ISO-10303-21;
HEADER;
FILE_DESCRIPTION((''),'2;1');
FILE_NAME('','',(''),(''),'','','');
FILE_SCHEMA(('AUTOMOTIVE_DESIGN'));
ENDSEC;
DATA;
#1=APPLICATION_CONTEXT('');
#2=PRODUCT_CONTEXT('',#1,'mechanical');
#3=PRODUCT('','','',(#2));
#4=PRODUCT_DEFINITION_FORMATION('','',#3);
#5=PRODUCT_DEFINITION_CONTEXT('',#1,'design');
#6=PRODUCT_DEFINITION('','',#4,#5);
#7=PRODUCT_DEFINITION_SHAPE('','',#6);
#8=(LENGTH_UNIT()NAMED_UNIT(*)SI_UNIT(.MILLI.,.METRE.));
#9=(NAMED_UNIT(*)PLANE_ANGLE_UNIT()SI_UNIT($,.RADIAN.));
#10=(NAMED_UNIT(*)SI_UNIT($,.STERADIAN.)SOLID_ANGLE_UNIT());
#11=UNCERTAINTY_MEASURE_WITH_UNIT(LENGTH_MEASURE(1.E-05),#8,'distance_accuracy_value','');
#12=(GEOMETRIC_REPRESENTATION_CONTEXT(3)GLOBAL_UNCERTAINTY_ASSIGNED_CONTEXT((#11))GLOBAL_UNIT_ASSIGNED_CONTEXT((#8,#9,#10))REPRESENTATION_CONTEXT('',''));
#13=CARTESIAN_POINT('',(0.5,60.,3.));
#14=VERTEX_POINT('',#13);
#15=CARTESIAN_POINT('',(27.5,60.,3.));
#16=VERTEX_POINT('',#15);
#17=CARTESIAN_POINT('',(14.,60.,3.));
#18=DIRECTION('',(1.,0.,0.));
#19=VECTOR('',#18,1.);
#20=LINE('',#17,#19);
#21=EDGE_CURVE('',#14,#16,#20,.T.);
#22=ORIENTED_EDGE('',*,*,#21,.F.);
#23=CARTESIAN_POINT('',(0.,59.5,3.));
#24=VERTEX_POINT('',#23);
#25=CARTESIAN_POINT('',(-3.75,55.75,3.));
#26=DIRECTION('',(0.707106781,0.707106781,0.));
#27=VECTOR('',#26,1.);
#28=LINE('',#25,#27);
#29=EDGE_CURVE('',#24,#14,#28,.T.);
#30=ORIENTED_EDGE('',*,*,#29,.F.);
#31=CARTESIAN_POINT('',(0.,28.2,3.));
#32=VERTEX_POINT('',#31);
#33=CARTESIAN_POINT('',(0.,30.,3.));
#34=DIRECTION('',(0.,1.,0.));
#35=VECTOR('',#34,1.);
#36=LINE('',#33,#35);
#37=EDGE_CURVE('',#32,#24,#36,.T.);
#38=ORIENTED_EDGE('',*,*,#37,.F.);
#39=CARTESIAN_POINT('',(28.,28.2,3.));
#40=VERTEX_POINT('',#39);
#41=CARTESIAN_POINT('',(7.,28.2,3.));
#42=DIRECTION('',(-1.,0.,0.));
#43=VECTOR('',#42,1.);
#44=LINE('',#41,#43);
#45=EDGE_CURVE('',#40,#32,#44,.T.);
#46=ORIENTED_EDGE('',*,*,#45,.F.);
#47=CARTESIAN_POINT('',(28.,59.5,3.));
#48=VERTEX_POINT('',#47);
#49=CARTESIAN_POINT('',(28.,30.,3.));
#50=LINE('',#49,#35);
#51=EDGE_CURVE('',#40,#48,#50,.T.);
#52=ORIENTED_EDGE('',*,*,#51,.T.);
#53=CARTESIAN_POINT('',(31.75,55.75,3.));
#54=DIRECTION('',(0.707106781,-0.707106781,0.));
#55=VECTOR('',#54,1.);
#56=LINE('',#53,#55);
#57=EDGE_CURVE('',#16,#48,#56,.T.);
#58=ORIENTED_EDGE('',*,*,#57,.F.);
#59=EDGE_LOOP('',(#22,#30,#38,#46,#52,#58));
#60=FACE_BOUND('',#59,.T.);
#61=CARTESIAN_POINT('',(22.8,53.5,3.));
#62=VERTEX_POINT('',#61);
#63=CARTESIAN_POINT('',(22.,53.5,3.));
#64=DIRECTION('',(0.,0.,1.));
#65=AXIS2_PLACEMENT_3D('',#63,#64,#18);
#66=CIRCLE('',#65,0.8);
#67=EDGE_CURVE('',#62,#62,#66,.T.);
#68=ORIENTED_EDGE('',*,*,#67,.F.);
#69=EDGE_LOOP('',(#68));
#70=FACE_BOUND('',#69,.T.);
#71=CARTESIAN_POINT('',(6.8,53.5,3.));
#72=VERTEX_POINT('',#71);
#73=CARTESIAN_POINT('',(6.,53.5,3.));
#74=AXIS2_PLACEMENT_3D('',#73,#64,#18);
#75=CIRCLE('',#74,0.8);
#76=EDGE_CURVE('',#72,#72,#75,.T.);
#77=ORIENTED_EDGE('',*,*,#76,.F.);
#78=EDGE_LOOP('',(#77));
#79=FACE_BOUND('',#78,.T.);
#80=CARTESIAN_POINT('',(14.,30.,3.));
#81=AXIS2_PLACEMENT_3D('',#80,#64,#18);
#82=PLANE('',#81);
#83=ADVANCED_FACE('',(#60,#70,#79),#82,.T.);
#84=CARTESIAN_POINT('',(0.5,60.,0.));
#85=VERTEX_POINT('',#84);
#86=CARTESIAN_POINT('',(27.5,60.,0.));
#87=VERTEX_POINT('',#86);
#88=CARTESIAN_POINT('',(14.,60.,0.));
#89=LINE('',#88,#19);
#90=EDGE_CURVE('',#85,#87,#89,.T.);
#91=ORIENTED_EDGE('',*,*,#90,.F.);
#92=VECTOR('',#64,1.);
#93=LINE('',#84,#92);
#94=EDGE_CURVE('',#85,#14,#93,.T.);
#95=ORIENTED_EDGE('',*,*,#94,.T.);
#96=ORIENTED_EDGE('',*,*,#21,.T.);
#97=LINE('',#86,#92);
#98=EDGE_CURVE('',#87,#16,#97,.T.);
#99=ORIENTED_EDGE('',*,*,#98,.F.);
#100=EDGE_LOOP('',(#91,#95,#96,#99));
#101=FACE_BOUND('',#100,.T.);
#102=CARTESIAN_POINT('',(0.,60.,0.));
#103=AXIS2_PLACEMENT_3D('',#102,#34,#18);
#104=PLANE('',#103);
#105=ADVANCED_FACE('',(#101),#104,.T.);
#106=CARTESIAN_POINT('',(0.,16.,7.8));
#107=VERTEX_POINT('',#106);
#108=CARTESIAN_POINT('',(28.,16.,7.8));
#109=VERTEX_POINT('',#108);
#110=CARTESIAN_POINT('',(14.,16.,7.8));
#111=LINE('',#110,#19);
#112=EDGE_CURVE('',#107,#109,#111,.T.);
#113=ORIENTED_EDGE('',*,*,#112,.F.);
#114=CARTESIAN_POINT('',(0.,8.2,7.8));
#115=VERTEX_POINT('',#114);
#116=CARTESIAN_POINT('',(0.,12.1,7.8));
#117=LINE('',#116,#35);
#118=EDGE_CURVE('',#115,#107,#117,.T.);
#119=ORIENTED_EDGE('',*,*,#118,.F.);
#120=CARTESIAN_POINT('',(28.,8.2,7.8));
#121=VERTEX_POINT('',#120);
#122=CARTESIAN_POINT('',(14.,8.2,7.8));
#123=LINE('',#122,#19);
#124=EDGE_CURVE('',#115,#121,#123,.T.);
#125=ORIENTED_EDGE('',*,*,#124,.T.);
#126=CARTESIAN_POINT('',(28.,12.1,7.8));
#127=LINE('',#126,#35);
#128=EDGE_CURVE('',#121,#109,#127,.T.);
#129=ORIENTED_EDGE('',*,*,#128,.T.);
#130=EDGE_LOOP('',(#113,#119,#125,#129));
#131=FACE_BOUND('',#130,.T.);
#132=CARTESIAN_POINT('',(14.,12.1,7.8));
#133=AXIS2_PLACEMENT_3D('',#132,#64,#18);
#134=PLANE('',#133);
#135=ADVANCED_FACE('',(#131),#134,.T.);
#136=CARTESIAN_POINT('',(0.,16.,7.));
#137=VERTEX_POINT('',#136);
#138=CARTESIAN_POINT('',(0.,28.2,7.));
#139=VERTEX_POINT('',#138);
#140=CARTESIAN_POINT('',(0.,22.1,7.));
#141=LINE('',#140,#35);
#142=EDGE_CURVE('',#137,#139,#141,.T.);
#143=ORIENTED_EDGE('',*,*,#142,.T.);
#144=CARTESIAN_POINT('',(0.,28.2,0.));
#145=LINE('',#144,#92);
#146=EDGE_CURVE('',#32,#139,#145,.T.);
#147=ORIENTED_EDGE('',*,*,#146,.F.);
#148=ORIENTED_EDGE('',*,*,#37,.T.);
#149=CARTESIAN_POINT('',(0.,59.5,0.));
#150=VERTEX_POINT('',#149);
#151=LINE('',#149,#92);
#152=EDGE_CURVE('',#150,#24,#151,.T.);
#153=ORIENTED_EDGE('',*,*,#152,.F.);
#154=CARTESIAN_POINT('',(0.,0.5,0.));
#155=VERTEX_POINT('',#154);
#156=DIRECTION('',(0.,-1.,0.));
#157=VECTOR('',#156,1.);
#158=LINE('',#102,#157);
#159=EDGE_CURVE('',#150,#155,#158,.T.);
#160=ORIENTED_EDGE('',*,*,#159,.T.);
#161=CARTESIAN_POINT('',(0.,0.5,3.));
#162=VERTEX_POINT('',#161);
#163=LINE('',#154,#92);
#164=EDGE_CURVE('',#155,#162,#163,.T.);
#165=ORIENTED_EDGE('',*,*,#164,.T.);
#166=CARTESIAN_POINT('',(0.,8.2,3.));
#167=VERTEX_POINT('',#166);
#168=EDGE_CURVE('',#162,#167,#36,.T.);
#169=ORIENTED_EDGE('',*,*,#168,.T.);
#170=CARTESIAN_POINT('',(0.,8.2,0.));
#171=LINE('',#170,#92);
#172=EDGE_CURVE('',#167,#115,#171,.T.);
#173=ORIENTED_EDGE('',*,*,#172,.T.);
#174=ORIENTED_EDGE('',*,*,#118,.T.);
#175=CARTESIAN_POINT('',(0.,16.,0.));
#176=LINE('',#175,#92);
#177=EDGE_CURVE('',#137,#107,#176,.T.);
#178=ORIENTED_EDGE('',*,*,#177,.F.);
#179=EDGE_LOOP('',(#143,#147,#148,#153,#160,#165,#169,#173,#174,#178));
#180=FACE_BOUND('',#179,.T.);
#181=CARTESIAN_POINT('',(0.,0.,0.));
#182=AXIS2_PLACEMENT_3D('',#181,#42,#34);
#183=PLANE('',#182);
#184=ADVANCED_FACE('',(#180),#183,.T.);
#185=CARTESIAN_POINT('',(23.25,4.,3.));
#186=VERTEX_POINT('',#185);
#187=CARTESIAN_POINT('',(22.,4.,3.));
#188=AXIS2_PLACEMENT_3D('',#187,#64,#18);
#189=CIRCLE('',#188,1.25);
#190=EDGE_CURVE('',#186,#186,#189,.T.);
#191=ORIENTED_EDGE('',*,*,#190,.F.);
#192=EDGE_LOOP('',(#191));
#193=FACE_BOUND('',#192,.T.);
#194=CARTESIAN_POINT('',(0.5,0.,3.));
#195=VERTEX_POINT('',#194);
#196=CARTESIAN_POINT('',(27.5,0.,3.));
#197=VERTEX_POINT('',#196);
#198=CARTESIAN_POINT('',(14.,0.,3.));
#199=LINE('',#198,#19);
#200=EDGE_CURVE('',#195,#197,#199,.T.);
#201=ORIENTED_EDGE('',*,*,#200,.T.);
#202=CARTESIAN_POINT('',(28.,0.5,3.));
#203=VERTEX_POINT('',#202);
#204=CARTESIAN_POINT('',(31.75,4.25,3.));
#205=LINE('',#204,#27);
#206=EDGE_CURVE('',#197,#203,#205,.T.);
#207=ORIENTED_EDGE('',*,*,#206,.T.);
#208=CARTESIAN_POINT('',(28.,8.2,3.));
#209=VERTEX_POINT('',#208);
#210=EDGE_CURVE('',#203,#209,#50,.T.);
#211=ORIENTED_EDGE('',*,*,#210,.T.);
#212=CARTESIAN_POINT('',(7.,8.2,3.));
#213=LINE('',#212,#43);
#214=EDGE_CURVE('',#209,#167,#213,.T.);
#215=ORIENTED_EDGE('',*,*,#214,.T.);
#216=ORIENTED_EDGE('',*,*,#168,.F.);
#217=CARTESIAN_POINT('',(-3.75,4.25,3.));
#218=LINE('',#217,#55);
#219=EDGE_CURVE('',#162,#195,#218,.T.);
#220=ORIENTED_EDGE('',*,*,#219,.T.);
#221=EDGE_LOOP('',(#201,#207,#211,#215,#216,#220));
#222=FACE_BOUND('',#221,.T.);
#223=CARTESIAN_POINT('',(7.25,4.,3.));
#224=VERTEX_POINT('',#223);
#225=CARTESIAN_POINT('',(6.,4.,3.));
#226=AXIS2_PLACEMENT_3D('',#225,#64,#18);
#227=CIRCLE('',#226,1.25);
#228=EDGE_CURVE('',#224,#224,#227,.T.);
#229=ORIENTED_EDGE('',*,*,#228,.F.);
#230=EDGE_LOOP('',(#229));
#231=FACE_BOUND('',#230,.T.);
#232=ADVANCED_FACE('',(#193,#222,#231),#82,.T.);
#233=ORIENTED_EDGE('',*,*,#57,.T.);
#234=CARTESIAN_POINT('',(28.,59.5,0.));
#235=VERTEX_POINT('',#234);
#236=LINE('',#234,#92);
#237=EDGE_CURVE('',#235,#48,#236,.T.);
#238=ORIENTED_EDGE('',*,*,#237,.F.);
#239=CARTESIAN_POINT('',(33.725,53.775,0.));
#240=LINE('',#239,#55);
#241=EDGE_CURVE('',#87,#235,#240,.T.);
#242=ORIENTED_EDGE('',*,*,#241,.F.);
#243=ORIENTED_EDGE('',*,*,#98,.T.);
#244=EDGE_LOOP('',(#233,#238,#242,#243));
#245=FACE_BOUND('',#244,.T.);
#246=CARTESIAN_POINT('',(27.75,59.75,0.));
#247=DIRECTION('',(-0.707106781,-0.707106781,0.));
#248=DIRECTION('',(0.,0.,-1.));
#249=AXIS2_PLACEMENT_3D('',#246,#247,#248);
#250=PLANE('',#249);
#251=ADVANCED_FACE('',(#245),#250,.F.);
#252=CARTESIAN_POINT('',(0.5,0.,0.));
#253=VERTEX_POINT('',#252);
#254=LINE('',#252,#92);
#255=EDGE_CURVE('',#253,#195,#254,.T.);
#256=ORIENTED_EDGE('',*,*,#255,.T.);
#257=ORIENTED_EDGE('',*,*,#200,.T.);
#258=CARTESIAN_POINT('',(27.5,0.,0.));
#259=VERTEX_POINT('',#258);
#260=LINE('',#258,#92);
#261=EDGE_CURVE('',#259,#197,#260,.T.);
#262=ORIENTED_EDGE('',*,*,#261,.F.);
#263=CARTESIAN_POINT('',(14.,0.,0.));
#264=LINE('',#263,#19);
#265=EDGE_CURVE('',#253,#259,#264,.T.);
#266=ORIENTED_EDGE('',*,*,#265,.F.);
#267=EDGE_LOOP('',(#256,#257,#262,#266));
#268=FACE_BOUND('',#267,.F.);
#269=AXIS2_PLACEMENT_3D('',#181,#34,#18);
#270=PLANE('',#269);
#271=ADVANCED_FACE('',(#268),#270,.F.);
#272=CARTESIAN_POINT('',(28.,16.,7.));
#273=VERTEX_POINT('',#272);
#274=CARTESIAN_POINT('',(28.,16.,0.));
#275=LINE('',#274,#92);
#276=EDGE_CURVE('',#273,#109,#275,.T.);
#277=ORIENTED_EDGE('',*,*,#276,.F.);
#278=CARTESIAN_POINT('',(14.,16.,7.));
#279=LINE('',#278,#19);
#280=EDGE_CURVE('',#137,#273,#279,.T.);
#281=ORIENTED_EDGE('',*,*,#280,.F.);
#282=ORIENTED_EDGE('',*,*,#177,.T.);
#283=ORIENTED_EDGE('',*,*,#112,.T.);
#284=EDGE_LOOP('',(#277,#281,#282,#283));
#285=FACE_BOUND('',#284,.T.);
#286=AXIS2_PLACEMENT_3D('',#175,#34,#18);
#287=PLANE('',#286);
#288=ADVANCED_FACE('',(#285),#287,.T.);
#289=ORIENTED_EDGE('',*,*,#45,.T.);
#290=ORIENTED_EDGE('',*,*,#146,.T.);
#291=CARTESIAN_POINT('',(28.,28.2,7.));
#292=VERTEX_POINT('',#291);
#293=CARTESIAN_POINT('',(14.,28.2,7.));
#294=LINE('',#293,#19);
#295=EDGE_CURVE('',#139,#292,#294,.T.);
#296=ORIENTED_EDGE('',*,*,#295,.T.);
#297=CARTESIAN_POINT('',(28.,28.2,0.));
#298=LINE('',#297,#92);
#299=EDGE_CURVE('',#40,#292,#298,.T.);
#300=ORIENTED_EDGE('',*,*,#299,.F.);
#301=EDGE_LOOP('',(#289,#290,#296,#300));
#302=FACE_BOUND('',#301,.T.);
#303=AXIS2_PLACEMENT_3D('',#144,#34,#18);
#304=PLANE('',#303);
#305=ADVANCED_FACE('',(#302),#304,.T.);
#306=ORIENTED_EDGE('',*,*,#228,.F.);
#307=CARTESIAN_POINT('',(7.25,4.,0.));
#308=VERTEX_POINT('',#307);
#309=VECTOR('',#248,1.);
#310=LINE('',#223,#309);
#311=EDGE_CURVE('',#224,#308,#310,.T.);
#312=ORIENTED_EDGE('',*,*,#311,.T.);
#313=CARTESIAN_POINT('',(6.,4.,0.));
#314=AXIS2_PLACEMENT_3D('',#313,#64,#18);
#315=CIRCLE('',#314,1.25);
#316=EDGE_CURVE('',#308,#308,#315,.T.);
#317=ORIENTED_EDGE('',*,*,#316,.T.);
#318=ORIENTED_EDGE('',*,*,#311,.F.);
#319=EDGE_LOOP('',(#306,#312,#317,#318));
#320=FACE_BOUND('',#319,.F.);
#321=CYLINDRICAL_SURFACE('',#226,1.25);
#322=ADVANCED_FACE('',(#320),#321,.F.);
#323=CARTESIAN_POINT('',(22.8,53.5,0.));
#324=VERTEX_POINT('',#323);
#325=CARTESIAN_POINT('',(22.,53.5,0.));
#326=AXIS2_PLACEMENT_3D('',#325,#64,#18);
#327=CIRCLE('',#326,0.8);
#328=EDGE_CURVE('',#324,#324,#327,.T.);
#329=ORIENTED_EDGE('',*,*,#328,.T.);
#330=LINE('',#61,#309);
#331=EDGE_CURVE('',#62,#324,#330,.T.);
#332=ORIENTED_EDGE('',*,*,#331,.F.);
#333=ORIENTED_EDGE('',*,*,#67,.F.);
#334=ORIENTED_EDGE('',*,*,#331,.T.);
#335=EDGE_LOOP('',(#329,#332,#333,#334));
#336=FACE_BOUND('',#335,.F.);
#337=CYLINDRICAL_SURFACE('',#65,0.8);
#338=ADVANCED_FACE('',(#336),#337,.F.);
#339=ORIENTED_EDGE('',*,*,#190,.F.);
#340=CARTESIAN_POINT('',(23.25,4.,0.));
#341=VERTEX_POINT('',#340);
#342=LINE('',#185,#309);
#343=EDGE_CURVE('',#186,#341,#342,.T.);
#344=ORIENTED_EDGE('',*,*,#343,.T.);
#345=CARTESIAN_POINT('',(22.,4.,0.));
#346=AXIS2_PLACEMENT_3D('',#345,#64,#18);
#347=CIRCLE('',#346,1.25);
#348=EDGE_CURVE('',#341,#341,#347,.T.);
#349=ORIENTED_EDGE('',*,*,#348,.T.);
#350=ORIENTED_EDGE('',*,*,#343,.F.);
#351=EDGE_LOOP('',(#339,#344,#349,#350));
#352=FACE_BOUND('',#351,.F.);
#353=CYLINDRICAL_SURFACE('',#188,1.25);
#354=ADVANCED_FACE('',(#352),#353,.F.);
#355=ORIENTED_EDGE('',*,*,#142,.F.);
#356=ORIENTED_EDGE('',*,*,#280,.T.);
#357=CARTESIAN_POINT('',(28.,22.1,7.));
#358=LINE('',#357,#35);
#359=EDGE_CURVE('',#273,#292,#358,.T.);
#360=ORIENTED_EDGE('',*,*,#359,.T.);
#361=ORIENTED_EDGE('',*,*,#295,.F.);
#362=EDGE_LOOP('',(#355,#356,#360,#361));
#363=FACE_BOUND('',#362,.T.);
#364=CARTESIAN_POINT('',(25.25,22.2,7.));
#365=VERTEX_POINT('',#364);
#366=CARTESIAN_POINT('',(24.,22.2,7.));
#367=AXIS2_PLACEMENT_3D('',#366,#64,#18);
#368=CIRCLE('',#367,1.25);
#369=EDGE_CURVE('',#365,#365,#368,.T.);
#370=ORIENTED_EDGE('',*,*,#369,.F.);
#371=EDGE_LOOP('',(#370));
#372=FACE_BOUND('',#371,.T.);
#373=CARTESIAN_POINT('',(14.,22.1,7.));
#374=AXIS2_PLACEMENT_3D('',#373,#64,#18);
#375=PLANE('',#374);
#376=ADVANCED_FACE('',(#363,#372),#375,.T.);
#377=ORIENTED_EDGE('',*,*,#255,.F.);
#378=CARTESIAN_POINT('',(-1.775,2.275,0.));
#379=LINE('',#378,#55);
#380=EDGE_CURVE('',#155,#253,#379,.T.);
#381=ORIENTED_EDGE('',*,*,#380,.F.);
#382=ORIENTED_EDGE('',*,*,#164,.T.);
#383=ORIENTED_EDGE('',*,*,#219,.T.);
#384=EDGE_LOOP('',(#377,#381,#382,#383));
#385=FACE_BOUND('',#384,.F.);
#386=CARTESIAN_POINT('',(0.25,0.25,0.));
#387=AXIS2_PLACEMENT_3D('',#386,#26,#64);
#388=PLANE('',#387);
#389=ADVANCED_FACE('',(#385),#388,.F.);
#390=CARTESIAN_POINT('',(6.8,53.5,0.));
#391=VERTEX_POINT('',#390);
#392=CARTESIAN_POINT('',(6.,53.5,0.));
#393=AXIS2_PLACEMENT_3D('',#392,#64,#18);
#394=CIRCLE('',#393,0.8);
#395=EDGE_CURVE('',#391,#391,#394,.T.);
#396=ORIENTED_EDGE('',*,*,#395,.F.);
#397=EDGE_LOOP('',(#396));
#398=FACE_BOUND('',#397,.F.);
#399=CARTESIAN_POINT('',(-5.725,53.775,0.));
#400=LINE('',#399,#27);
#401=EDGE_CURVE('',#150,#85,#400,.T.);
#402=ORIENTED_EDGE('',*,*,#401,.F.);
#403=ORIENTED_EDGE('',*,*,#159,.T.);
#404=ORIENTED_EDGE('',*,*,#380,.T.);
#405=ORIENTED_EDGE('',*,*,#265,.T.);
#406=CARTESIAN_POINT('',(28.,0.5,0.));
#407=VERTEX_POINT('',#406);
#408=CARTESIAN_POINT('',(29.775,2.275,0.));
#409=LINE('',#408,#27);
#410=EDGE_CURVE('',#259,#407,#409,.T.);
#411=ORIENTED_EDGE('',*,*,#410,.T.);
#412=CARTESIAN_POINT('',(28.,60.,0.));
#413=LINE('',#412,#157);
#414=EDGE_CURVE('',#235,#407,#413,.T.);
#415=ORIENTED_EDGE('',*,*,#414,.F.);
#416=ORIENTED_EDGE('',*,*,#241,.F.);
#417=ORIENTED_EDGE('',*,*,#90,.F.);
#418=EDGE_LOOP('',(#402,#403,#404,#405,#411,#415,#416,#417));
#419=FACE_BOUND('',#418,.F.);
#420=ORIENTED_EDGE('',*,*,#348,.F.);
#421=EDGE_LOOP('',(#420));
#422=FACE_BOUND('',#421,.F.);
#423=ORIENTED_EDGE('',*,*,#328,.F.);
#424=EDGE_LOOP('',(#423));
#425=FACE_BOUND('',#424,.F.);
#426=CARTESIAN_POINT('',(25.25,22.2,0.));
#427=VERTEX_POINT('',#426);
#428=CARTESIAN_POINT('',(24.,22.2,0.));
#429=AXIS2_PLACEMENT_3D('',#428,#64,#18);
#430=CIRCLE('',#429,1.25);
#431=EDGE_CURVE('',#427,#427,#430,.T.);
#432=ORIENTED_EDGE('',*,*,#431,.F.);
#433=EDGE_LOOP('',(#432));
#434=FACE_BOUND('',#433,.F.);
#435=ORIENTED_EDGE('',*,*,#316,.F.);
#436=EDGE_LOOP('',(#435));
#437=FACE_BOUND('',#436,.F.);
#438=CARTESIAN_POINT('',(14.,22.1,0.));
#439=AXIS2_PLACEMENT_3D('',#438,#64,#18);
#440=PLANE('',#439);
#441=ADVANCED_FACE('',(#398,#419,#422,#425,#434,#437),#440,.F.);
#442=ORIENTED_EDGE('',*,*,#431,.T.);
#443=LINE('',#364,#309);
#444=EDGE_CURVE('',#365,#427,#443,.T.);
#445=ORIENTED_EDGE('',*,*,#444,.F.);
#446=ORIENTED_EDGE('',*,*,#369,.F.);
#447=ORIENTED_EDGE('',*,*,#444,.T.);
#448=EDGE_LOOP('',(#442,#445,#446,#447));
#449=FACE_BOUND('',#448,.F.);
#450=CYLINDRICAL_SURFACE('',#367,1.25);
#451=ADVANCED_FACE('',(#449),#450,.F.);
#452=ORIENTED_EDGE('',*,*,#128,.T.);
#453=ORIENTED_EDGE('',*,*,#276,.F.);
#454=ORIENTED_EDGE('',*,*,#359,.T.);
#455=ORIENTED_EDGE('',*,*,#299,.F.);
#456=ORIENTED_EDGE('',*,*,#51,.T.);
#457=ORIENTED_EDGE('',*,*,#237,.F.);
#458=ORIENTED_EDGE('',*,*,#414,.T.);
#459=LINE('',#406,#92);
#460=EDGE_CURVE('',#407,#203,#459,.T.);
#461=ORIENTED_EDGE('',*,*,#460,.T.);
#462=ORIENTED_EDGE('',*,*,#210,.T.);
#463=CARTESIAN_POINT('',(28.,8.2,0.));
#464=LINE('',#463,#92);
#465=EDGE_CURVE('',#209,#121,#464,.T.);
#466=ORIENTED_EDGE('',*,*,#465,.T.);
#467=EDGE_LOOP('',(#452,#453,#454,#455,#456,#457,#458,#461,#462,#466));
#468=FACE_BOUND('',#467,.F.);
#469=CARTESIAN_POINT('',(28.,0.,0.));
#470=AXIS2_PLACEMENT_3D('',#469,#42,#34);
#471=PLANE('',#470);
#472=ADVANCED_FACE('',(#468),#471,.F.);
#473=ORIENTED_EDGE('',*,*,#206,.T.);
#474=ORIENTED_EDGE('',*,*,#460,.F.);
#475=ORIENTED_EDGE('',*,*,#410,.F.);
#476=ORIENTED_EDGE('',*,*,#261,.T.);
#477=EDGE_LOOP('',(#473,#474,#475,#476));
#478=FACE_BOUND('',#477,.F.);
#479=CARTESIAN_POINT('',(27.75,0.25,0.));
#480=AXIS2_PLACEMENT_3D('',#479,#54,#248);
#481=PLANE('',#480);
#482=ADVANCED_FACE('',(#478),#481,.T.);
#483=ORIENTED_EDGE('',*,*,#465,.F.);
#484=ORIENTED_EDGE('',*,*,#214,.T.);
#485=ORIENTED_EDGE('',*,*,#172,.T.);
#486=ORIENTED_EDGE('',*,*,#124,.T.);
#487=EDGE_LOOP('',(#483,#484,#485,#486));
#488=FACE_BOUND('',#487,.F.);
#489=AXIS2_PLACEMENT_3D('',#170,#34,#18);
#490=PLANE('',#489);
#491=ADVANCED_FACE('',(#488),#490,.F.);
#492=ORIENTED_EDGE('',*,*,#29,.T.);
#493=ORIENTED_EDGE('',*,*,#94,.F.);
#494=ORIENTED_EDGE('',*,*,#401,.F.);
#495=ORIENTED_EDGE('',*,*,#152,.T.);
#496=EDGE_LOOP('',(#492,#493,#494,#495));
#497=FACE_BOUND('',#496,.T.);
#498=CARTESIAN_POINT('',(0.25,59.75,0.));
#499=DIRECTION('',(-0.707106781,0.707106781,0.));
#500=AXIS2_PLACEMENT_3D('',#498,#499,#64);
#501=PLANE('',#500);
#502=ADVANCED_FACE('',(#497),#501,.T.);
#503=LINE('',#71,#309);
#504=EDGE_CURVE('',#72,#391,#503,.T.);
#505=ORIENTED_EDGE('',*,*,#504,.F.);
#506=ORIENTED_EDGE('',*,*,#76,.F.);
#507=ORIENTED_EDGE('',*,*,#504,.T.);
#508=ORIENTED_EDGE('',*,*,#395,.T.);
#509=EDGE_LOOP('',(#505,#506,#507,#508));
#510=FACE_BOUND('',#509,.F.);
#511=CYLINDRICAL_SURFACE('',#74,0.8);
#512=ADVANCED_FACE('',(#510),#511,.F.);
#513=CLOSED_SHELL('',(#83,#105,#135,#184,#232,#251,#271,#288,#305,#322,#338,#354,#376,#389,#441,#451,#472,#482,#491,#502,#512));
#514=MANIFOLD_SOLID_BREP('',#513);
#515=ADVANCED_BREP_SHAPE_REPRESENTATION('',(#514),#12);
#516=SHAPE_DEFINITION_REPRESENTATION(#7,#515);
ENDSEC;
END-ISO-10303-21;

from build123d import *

# Parameters (mm, degrees)
F0_W      = 28
F0_H      = 60
F4_DEPTH  = 3
F2_W      = 28
F2_H      = 7.8
F5_DEPTH  = 7.8
F3_W      = 28
F3_H      = 12.2
F6_DEPTH  = 7
F7_R      = 0.8
F8_DEPTH  = 25
F9_R      = 0.8
F10_DEPTH = 25
F11_R     = 1.25
F13_DEPTH = 25
F12_R     = 1.25
F14_DEPTH = 25
F15_SIZE  = 0.5
F16_R     = 1.25
F17_DEPTH = 25


with BuildPart() as f4:
    # F0 (on Top) → F4 (new body)
    with BuildSketch(Plane.XY):
        with Locations((14, 30)):
            Rectangle(F0_W, F0_H)
    extrude(amount=F4_DEPTH)

    # F2 (on face) → F5 (join)
    with BuildSketch(Plane.XY):
        with Locations((14, 12.1)):
            Rectangle(F2_W, F2_H)
    extrude(amount=F5_DEPTH)

    # F3 (on face) → F6 (join)
    with BuildSketch(Plane.XY):
        with Locations((14, 22.1)):
            Rectangle(F3_W, F3_H)
    extrude(amount=F6_DEPTH)

    # F7 (on face) → F8 (cut)
    with BuildSketch(Plane.XY.offset(3)):
        with Locations((6, 53.5)):
            Circle(F7_R)
    extrude(amount=-F8_DEPTH, mode=Mode.SUBTRACT)

    # F9 (on face) → F10 (cut)
    with BuildSketch(Plane.XY.offset(3)):
        with Locations((22, 53.5)):
            Circle(F9_R)
    extrude(amount=-F10_DEPTH, mode=Mode.SUBTRACT)

    # F11 (on face) → F13 (cut)
    with BuildSketch(Plane.XY.offset(3)):
        with Locations((6, 4)):
            Circle(F11_R)
    extrude(amount=-F13_DEPTH, mode=Mode.SUBTRACT)

    # F12 (on face) → F14 (cut)
    with BuildSketch(Plane.XY.offset(3)):
        with Locations((22, 4)):
            Circle(F12_R)
    extrude(amount=-F14_DEPTH, mode=Mode.SUBTRACT)

    # F15
    f15_edges = [f4.edges().sort_by_distance(p)[0] for p in [
        (28, 0, 1.5),
        (0, 0, 1.5),
        (0, 60, 1.5),
        (28, 60, 1.5),
    ]]
    chamfer(f15_edges, length=F15_SIZE)

    # F16 (on face) → F17 (cut)
    with BuildSketch(Plane.XY.offset(7)):
        with Locations((24, 22.2)):
            Circle(F16_R)
    extrude(amount=-F17_DEPTH, mode=Mode.SUBTRACT)


solid = f4.part
